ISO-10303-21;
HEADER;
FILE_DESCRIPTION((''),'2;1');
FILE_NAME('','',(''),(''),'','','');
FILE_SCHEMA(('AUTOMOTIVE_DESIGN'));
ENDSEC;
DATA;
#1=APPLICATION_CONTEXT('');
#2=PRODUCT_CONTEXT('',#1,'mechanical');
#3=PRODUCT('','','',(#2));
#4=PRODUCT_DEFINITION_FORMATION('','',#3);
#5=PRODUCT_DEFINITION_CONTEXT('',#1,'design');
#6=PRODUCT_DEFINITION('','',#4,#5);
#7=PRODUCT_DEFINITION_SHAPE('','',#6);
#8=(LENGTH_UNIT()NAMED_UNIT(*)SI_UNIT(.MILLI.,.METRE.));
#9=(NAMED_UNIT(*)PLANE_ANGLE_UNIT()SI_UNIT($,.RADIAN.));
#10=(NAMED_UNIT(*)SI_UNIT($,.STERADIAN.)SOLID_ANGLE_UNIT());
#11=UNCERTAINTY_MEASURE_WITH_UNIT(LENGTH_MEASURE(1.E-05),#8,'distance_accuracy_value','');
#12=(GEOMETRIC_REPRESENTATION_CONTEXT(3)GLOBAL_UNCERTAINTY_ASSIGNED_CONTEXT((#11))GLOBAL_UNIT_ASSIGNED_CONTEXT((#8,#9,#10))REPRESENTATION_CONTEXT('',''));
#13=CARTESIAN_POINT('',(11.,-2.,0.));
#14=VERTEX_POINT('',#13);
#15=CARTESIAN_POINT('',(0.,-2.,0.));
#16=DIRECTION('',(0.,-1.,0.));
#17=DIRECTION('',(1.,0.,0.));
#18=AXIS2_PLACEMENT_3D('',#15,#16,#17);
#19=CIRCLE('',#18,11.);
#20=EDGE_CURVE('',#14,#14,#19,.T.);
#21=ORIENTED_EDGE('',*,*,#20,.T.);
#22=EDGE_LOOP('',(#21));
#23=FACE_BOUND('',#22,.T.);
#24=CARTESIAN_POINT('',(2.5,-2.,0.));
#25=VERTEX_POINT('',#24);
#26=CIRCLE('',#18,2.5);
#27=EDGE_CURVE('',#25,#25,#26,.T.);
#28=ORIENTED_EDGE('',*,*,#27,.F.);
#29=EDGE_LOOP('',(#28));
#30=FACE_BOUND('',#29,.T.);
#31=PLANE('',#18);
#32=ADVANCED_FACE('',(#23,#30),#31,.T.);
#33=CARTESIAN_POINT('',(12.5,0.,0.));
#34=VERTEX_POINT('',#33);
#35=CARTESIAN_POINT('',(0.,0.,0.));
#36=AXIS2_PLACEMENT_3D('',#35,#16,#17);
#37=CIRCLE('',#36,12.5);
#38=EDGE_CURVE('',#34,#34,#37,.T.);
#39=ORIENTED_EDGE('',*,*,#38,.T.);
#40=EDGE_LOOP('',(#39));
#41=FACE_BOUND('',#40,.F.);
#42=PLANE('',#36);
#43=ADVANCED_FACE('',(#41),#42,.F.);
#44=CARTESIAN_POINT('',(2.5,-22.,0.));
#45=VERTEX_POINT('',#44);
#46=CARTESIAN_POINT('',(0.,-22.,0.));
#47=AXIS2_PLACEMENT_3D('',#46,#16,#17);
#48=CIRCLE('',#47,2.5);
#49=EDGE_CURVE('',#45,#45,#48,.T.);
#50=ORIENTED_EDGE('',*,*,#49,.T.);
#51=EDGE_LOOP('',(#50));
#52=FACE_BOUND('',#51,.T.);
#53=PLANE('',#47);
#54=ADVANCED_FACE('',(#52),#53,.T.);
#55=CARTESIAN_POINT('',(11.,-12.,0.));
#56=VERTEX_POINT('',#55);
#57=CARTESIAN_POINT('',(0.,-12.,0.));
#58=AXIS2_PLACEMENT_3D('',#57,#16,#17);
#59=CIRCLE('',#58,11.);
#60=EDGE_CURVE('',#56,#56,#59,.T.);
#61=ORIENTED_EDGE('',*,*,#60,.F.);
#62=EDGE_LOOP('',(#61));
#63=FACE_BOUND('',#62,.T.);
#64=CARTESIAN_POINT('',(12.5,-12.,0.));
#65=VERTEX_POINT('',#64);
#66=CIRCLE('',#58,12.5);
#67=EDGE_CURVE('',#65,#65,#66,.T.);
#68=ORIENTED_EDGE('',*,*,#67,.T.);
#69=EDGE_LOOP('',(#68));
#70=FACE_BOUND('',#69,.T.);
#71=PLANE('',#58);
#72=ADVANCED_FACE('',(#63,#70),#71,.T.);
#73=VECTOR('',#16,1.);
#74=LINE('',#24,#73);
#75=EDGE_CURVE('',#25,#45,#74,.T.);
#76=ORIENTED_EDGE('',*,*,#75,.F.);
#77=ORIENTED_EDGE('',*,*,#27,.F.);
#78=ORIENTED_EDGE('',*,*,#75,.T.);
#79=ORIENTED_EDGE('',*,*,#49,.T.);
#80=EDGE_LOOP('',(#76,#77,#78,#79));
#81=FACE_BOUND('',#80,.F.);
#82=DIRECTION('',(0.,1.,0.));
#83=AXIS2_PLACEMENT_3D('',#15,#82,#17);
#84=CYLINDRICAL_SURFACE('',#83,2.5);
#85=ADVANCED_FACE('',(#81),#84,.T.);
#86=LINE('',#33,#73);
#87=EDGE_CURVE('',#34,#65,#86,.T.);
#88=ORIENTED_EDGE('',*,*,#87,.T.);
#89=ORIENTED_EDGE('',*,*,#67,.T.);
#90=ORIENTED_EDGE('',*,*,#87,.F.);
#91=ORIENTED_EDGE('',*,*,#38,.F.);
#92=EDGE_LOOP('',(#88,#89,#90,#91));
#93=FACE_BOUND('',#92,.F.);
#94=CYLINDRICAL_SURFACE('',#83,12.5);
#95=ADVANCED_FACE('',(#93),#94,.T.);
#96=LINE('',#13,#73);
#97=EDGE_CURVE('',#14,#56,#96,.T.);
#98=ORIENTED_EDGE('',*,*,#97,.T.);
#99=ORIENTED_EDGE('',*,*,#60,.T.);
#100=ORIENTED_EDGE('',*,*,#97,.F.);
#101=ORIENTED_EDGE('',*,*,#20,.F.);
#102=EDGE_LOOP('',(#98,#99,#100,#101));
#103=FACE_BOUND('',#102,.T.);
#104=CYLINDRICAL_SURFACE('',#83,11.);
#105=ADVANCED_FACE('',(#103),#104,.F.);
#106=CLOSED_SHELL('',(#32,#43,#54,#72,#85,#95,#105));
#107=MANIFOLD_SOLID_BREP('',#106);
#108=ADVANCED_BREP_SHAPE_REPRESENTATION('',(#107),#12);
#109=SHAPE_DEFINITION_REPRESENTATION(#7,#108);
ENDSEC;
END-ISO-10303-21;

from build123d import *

# Parameters (mm, degrees)
F0_R     = 12.5
F1_DEPTH = 2
F2_R     = 12.5
F2_R_2   = 11
F3_DEPTH = 10
F4_R     = 2.5
F5_DEPTH = 20


with BuildPart() as f1:
    # F0 (on Front) → F1 (new body)
    with BuildSketch(Plane.XZ):
        Circle(F0_R)
    extrude(amount=F1_DEPTH)

    # F2 (on face) → F3 (join)
    with BuildSketch(Plane.XZ.offset(2)):
        Circle(F2_R)
        Circle(F2_R_2, mode=Mode.SUBTRACT)
    extrude(amount=F3_DEPTH)

    # F4 (on face) → F5 (join)
    with BuildSketch(Plane.XZ.offset(2)):
        Circle(F4_R)
    extrude(amount=F5_DEPTH)


solid = f1.part
